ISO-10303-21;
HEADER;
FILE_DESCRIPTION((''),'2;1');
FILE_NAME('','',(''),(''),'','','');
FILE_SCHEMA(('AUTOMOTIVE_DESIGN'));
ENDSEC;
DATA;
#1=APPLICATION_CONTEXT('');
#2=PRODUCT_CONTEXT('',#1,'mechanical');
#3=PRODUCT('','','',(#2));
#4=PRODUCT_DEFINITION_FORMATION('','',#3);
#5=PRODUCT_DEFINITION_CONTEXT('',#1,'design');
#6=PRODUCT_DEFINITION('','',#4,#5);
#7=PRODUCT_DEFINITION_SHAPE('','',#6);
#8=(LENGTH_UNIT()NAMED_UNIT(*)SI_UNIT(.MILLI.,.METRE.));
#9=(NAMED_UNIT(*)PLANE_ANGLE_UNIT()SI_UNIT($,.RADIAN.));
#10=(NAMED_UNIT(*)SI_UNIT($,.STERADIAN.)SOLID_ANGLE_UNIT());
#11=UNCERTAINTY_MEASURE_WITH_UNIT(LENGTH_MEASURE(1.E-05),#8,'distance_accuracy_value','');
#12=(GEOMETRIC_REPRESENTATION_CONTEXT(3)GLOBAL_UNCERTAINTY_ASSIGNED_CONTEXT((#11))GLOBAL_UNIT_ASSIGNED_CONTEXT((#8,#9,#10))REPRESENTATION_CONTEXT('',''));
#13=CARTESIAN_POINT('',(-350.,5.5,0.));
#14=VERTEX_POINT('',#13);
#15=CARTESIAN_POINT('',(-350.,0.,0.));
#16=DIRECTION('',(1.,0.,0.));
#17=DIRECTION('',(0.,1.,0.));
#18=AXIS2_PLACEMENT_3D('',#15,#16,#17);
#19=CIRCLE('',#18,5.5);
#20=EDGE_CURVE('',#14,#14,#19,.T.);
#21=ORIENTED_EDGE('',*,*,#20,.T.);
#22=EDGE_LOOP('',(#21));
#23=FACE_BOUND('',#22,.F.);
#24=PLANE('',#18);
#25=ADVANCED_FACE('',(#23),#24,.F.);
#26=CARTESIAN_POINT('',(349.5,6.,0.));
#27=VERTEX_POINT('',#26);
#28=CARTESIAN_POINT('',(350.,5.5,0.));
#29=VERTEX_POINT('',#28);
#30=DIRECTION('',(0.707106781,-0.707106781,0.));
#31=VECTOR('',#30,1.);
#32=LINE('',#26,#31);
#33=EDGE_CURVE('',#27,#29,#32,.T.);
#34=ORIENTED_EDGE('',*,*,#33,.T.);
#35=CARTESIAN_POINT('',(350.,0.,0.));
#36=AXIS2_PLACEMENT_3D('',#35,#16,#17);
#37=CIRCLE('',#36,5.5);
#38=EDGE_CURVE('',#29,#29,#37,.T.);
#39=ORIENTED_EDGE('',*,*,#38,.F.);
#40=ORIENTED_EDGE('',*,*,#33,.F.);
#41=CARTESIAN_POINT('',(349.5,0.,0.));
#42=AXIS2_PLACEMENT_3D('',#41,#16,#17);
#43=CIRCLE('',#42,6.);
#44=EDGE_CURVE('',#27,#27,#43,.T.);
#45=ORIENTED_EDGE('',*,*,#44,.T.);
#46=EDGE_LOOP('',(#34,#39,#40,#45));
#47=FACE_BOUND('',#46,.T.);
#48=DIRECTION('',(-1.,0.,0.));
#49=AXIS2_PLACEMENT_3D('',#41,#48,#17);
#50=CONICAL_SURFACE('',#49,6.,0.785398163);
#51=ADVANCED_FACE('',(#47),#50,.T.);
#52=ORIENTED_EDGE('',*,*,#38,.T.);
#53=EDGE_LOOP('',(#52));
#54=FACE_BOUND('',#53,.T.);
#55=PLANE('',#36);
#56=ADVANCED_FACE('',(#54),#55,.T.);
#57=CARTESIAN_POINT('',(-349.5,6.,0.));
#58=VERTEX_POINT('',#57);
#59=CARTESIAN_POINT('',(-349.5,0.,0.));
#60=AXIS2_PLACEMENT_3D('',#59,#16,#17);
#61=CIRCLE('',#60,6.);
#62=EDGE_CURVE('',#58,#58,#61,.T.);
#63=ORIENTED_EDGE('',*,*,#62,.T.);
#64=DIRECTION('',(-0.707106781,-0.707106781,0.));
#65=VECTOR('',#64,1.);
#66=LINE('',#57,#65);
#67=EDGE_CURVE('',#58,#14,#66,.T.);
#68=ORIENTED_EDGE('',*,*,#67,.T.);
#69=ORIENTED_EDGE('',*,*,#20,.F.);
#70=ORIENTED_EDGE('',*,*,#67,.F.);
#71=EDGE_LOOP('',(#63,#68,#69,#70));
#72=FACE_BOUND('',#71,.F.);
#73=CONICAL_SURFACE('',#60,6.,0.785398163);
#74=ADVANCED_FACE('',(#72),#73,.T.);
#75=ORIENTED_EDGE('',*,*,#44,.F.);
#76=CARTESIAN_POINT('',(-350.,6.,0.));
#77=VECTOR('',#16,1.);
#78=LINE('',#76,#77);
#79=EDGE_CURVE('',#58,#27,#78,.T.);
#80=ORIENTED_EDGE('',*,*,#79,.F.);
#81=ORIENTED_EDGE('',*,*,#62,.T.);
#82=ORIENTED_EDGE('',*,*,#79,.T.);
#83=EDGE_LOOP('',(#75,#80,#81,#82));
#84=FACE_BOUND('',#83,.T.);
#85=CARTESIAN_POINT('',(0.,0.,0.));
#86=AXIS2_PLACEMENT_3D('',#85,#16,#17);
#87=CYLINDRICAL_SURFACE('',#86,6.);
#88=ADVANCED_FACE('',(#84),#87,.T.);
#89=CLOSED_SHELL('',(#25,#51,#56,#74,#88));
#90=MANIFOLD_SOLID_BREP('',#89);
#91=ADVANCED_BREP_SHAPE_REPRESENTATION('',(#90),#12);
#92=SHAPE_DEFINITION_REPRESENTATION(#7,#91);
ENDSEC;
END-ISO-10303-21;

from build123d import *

# Parameters (mm, degrees)
SKETCH_R     = 6
PAD_DEPTH    = 350
CHAMFER_SIZE = 0.5


with BuildPart() as part:
    # Sketch → Pad (new body, symmetric)
    with BuildSketch(Plane.YZ):
        Circle(SKETCH_R)
    extrude(amount=PAD_DEPTH, both=True)

    # Chamfer
    chamfer_edges = [part.edges().sort_by_distance(p)[0] for p in [
        (350, -6, 0),
        (-350, -6, 0),
    ]]
    chamfer(chamfer_edges, length=CHAMFER_SIZE)


solid = part.part
